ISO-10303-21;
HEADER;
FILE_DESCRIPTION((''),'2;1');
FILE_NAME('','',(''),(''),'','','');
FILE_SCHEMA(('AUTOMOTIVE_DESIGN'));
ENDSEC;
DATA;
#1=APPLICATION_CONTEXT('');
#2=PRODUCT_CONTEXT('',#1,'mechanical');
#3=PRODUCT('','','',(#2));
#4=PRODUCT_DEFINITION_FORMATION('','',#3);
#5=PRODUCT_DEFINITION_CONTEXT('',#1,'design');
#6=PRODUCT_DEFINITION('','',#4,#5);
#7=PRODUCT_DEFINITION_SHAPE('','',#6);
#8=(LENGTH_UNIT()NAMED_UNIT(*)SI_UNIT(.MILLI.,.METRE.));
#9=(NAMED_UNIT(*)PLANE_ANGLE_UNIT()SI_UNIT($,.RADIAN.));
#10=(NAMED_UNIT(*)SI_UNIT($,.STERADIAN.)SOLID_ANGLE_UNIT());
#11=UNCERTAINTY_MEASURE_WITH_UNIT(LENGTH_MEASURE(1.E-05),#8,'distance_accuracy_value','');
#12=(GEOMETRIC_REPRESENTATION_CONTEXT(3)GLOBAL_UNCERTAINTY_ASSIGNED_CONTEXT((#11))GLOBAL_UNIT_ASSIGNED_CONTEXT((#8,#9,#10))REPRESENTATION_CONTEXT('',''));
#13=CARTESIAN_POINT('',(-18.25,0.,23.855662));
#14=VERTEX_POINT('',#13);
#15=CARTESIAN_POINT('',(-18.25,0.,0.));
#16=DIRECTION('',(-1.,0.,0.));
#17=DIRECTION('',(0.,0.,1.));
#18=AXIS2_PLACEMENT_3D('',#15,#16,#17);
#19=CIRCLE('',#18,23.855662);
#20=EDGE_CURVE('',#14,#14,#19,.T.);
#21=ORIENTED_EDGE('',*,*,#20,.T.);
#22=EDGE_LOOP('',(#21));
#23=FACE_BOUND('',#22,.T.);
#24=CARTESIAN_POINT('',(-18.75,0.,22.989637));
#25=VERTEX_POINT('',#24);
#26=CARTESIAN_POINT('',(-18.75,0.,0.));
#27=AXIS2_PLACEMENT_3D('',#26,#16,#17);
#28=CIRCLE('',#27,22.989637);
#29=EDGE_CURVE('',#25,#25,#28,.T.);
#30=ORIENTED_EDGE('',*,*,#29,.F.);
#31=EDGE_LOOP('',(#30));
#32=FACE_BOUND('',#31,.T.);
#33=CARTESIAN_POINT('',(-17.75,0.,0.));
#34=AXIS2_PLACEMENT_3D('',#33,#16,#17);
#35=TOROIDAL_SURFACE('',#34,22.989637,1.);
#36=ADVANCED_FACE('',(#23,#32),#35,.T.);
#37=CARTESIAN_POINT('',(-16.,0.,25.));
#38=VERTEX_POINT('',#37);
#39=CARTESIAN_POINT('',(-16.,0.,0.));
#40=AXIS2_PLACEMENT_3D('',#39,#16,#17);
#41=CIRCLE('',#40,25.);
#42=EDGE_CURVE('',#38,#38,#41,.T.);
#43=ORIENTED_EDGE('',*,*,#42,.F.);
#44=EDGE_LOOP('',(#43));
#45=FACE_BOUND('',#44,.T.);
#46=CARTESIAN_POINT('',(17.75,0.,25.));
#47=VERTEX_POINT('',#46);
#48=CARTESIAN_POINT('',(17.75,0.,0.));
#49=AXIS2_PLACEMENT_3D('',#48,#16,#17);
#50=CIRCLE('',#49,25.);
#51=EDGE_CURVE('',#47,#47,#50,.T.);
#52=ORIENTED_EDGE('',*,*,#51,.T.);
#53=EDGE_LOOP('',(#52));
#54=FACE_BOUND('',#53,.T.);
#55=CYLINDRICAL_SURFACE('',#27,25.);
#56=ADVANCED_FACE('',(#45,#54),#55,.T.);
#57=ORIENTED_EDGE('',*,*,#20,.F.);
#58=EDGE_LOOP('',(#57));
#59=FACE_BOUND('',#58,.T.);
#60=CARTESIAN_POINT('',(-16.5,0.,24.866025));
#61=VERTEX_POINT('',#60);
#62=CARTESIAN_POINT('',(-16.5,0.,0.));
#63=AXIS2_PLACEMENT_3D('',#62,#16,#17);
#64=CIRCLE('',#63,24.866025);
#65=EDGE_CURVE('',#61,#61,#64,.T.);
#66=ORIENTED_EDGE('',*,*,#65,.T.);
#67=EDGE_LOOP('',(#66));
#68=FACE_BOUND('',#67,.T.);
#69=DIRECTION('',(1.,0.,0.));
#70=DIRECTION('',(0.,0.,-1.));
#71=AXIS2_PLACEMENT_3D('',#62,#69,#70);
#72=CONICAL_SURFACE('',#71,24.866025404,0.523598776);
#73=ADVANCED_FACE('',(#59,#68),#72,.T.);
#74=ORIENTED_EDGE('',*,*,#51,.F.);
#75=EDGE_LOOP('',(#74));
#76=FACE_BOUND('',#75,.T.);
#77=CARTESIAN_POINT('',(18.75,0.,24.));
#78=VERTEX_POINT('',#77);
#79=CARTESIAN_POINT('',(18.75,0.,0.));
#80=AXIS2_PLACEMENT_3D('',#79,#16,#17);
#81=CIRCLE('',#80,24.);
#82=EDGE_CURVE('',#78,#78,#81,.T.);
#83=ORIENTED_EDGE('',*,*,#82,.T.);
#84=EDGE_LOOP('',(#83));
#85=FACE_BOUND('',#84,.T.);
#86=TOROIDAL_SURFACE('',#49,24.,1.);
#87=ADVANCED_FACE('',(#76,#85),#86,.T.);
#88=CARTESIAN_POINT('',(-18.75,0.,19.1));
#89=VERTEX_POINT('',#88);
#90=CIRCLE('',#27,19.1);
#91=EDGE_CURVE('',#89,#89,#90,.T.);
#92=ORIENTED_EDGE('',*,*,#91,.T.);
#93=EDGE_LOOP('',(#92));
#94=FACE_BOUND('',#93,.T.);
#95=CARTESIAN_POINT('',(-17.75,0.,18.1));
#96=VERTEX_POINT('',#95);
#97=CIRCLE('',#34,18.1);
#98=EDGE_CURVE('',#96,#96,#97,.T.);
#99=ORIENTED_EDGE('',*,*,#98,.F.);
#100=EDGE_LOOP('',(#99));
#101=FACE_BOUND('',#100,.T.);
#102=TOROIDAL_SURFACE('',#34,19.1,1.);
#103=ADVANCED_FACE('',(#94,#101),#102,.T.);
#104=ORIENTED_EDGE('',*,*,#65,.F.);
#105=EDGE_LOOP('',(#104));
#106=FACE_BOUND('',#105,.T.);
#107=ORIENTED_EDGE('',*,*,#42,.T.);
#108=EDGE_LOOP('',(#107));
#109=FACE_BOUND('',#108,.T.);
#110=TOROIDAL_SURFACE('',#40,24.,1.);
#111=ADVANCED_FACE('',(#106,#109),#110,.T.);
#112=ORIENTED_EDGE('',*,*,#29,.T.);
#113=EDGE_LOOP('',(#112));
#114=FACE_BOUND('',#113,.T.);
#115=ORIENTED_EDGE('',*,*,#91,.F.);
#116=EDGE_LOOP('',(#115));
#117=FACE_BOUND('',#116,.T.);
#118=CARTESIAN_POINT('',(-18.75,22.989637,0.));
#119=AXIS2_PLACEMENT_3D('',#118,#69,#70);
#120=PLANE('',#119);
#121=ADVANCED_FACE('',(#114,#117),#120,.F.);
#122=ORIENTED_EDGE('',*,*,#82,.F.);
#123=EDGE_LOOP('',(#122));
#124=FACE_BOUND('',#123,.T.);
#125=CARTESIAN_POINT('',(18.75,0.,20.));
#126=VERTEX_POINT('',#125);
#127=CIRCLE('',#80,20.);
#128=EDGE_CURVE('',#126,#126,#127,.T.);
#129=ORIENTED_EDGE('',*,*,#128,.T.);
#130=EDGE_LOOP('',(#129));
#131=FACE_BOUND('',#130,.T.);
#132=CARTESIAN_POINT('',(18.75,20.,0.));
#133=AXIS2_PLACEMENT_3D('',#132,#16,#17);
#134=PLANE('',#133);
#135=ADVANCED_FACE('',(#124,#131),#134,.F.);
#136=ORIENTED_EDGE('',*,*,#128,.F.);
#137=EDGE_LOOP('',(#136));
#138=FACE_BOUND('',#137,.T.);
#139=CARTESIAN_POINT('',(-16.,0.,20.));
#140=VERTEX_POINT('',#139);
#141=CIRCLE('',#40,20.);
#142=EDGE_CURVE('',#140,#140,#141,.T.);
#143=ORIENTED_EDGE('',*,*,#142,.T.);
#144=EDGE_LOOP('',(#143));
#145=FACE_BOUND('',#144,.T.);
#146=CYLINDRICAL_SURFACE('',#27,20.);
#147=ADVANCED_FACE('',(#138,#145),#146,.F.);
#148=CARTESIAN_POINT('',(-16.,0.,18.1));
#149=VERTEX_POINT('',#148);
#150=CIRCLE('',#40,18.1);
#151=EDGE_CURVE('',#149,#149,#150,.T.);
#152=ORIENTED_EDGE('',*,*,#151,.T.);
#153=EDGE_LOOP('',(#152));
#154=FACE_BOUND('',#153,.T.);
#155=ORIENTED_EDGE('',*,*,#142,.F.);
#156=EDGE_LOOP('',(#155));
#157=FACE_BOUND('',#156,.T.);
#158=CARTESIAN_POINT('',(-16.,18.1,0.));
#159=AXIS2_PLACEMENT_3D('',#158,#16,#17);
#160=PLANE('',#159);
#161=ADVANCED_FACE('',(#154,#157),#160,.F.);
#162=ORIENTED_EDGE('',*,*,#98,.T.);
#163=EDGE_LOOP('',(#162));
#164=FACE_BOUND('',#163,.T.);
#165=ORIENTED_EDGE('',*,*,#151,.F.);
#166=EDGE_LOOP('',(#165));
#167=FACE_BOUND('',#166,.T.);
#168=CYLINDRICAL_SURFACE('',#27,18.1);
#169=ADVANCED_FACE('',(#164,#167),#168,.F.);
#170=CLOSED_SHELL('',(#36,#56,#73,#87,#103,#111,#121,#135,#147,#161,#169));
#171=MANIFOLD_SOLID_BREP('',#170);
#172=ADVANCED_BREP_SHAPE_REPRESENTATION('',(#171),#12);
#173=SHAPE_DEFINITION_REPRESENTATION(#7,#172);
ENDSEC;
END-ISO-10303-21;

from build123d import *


with BuildPart() as part:
    # Эскиз1 → Повернуть1 (revolve)
    with BuildSketch(Plane.XY):
        with BuildLine():
            Line((18.75, 20), (18.75, 24))
            ThreePointArc((18.75, 24), (18.457106781, 24.707106781), (17.75, 25))
            Line((17.75, 25), (-16, 25))
            ThreePointArc((-16, 25), (-16.258819045, 24.965925826), (-16.5, 24.866025404))
            Line((-16.5, 24.866025404), (-18.25, 23.855662433))
            ThreePointArc((-18.25, 23.855662433), (-18.616025404, 23.489637029), (-18.75, 22.989637029))
            Line((-18.75, 22.989637029), (-18.75, 19.1))
            ThreePointArc((-18.75, 19.1), (-18.457106781, 18.392893219), (-17.75, 18.1))
            Line((-17.75, 18.1), (-16, 18.1))
            Line((-16, 18.1), (-16, 20))
            Line((-16, 20), (18.75, 20))
        make_face()
    revolve(axis=Axis((-18.75, 0, 0), (1, 0, 0)))


solid = part.part
